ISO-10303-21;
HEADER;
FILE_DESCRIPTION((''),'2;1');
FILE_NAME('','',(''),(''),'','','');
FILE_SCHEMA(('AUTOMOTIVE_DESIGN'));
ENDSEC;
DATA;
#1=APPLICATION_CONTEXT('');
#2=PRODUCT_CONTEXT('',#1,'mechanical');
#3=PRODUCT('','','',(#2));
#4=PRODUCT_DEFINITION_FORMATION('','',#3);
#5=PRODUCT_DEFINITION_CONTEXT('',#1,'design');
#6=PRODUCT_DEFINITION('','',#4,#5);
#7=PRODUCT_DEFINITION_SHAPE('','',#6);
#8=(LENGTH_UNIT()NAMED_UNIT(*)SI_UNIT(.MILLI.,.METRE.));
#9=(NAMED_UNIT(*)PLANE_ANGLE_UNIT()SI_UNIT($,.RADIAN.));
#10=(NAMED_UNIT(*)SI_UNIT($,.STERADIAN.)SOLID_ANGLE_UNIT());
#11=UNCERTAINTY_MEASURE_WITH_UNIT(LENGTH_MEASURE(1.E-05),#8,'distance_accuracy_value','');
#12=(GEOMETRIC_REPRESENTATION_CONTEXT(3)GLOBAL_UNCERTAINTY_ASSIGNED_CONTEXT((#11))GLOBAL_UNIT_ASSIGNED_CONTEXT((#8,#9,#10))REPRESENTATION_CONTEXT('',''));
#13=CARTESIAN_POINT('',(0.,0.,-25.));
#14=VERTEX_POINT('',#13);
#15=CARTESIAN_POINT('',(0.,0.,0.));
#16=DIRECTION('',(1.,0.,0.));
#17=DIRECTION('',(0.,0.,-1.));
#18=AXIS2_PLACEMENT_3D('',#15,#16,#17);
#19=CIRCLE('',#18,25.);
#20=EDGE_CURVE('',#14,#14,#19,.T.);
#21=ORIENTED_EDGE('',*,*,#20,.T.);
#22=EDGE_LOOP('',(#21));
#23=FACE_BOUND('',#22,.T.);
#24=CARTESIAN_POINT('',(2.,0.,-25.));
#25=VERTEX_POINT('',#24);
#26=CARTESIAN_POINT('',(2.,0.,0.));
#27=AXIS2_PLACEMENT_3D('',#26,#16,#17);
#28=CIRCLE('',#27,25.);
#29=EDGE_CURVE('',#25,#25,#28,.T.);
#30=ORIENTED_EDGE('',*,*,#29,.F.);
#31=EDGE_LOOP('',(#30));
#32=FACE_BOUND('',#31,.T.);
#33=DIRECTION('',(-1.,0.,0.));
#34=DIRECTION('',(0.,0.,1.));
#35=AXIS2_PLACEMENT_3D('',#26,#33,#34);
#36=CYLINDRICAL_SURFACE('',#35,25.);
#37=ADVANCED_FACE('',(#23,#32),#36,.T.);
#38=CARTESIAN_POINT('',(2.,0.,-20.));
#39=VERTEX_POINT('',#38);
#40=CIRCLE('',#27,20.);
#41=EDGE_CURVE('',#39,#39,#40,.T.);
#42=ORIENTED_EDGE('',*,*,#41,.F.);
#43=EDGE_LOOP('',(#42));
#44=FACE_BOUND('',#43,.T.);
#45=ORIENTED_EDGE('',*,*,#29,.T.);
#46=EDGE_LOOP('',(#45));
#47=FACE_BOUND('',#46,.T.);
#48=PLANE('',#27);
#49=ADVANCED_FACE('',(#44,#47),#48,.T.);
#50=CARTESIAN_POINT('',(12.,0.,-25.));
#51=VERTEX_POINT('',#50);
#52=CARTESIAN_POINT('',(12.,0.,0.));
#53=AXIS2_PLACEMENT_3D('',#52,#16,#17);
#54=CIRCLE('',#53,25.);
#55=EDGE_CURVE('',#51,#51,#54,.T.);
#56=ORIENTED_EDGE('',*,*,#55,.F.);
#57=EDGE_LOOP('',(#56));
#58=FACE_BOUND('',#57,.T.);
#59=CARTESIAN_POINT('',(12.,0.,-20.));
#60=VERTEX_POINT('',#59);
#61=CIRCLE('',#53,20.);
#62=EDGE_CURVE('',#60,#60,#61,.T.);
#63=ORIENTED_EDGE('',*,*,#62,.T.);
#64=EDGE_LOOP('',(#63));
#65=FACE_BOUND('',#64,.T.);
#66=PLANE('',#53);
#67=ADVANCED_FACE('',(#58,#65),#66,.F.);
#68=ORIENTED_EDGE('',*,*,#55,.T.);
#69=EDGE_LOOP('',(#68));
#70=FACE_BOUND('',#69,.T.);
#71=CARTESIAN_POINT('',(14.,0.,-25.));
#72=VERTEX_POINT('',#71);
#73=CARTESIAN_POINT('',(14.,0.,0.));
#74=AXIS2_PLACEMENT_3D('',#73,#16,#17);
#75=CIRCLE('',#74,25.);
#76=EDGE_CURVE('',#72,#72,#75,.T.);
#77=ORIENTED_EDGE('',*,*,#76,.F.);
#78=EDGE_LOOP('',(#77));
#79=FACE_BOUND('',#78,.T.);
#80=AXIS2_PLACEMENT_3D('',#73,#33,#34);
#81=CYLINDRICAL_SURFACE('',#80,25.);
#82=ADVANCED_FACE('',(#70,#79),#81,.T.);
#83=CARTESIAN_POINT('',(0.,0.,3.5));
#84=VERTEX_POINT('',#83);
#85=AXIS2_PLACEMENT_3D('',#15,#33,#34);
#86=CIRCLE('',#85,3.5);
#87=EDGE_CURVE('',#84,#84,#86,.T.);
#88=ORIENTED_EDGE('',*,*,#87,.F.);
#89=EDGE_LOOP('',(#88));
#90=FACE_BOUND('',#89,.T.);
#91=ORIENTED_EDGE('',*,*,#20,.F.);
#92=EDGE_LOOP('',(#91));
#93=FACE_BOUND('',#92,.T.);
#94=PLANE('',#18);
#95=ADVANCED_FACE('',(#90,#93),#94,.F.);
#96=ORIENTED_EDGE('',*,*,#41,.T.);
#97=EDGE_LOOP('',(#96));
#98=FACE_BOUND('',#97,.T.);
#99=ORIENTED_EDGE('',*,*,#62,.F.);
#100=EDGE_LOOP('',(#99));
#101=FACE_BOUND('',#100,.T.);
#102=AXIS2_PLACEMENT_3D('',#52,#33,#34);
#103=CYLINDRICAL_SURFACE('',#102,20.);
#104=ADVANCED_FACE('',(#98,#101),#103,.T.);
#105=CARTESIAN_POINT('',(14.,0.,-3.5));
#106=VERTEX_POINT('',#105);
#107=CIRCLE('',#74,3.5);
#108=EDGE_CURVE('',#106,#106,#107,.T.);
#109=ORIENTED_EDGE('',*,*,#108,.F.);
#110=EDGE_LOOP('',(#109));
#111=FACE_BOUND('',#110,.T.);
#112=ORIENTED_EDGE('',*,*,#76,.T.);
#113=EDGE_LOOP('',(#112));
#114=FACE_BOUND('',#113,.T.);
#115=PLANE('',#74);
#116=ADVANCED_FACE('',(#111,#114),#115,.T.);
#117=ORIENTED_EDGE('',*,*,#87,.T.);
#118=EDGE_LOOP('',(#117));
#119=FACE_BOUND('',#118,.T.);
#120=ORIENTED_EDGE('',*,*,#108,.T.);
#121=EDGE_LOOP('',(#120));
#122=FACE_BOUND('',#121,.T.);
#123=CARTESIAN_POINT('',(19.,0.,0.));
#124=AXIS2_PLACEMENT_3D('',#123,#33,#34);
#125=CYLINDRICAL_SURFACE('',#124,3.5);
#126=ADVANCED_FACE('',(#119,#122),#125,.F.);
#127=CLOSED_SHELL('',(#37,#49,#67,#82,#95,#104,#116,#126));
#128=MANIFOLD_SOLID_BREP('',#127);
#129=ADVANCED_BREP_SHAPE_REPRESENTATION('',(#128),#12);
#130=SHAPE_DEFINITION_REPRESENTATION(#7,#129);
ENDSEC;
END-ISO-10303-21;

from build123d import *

# Parameters (mm, degrees)
SKETCH1_R           = 25
BOSS_EXTRUDE1_DEPTH = 2
SKETCH2_R           = 20
BOSS_EXTRUDE2_DEPTH = 10
SKETCH3_R           = 25
BOSS_EXTRUDE3_DEPTH = 2
SKETCH4_R           = 3.5
CUT_EXTRUDE1_DEPTH  = 19


with BuildPart() as part:
    # Sketch1 → Boss-Extrude1 (new body)
    with BuildSketch(Plane(origin=(0, 0, 0), x_dir=(0, 0, -1), z_dir=(1, 0, 0))):
        Circle(SKETCH1_R)
    extrude(amount=BOSS_EXTRUDE1_DEPTH)

    # Sketch2 → Boss-Extrude2 (add)
    with BuildSketch(Plane(origin=(2, 0, 0), x_dir=(0, 0, -1), z_dir=(1, 0, 0))):
        Circle(SKETCH2_R)
    extrude(amount=BOSS_EXTRUDE2_DEPTH)

    # Sketch3 → Boss-Extrude3 (add)
    with BuildSketch(Plane(origin=(12, 0, 0), x_dir=(0, 0, -1), z_dir=(1, 0, 0))):
        Circle(SKETCH3_R)
    extrude(amount=BOSS_EXTRUDE3_DEPTH)

    # Sketch4 → Cut-Extrude1 (cut)
    with BuildSketch(Plane.ZY):
        Circle(SKETCH4_R)
    extrude(amount=-CUT_EXTRUDE1_DEPTH, mode=Mode.SUBTRACT)


solid = part.part
